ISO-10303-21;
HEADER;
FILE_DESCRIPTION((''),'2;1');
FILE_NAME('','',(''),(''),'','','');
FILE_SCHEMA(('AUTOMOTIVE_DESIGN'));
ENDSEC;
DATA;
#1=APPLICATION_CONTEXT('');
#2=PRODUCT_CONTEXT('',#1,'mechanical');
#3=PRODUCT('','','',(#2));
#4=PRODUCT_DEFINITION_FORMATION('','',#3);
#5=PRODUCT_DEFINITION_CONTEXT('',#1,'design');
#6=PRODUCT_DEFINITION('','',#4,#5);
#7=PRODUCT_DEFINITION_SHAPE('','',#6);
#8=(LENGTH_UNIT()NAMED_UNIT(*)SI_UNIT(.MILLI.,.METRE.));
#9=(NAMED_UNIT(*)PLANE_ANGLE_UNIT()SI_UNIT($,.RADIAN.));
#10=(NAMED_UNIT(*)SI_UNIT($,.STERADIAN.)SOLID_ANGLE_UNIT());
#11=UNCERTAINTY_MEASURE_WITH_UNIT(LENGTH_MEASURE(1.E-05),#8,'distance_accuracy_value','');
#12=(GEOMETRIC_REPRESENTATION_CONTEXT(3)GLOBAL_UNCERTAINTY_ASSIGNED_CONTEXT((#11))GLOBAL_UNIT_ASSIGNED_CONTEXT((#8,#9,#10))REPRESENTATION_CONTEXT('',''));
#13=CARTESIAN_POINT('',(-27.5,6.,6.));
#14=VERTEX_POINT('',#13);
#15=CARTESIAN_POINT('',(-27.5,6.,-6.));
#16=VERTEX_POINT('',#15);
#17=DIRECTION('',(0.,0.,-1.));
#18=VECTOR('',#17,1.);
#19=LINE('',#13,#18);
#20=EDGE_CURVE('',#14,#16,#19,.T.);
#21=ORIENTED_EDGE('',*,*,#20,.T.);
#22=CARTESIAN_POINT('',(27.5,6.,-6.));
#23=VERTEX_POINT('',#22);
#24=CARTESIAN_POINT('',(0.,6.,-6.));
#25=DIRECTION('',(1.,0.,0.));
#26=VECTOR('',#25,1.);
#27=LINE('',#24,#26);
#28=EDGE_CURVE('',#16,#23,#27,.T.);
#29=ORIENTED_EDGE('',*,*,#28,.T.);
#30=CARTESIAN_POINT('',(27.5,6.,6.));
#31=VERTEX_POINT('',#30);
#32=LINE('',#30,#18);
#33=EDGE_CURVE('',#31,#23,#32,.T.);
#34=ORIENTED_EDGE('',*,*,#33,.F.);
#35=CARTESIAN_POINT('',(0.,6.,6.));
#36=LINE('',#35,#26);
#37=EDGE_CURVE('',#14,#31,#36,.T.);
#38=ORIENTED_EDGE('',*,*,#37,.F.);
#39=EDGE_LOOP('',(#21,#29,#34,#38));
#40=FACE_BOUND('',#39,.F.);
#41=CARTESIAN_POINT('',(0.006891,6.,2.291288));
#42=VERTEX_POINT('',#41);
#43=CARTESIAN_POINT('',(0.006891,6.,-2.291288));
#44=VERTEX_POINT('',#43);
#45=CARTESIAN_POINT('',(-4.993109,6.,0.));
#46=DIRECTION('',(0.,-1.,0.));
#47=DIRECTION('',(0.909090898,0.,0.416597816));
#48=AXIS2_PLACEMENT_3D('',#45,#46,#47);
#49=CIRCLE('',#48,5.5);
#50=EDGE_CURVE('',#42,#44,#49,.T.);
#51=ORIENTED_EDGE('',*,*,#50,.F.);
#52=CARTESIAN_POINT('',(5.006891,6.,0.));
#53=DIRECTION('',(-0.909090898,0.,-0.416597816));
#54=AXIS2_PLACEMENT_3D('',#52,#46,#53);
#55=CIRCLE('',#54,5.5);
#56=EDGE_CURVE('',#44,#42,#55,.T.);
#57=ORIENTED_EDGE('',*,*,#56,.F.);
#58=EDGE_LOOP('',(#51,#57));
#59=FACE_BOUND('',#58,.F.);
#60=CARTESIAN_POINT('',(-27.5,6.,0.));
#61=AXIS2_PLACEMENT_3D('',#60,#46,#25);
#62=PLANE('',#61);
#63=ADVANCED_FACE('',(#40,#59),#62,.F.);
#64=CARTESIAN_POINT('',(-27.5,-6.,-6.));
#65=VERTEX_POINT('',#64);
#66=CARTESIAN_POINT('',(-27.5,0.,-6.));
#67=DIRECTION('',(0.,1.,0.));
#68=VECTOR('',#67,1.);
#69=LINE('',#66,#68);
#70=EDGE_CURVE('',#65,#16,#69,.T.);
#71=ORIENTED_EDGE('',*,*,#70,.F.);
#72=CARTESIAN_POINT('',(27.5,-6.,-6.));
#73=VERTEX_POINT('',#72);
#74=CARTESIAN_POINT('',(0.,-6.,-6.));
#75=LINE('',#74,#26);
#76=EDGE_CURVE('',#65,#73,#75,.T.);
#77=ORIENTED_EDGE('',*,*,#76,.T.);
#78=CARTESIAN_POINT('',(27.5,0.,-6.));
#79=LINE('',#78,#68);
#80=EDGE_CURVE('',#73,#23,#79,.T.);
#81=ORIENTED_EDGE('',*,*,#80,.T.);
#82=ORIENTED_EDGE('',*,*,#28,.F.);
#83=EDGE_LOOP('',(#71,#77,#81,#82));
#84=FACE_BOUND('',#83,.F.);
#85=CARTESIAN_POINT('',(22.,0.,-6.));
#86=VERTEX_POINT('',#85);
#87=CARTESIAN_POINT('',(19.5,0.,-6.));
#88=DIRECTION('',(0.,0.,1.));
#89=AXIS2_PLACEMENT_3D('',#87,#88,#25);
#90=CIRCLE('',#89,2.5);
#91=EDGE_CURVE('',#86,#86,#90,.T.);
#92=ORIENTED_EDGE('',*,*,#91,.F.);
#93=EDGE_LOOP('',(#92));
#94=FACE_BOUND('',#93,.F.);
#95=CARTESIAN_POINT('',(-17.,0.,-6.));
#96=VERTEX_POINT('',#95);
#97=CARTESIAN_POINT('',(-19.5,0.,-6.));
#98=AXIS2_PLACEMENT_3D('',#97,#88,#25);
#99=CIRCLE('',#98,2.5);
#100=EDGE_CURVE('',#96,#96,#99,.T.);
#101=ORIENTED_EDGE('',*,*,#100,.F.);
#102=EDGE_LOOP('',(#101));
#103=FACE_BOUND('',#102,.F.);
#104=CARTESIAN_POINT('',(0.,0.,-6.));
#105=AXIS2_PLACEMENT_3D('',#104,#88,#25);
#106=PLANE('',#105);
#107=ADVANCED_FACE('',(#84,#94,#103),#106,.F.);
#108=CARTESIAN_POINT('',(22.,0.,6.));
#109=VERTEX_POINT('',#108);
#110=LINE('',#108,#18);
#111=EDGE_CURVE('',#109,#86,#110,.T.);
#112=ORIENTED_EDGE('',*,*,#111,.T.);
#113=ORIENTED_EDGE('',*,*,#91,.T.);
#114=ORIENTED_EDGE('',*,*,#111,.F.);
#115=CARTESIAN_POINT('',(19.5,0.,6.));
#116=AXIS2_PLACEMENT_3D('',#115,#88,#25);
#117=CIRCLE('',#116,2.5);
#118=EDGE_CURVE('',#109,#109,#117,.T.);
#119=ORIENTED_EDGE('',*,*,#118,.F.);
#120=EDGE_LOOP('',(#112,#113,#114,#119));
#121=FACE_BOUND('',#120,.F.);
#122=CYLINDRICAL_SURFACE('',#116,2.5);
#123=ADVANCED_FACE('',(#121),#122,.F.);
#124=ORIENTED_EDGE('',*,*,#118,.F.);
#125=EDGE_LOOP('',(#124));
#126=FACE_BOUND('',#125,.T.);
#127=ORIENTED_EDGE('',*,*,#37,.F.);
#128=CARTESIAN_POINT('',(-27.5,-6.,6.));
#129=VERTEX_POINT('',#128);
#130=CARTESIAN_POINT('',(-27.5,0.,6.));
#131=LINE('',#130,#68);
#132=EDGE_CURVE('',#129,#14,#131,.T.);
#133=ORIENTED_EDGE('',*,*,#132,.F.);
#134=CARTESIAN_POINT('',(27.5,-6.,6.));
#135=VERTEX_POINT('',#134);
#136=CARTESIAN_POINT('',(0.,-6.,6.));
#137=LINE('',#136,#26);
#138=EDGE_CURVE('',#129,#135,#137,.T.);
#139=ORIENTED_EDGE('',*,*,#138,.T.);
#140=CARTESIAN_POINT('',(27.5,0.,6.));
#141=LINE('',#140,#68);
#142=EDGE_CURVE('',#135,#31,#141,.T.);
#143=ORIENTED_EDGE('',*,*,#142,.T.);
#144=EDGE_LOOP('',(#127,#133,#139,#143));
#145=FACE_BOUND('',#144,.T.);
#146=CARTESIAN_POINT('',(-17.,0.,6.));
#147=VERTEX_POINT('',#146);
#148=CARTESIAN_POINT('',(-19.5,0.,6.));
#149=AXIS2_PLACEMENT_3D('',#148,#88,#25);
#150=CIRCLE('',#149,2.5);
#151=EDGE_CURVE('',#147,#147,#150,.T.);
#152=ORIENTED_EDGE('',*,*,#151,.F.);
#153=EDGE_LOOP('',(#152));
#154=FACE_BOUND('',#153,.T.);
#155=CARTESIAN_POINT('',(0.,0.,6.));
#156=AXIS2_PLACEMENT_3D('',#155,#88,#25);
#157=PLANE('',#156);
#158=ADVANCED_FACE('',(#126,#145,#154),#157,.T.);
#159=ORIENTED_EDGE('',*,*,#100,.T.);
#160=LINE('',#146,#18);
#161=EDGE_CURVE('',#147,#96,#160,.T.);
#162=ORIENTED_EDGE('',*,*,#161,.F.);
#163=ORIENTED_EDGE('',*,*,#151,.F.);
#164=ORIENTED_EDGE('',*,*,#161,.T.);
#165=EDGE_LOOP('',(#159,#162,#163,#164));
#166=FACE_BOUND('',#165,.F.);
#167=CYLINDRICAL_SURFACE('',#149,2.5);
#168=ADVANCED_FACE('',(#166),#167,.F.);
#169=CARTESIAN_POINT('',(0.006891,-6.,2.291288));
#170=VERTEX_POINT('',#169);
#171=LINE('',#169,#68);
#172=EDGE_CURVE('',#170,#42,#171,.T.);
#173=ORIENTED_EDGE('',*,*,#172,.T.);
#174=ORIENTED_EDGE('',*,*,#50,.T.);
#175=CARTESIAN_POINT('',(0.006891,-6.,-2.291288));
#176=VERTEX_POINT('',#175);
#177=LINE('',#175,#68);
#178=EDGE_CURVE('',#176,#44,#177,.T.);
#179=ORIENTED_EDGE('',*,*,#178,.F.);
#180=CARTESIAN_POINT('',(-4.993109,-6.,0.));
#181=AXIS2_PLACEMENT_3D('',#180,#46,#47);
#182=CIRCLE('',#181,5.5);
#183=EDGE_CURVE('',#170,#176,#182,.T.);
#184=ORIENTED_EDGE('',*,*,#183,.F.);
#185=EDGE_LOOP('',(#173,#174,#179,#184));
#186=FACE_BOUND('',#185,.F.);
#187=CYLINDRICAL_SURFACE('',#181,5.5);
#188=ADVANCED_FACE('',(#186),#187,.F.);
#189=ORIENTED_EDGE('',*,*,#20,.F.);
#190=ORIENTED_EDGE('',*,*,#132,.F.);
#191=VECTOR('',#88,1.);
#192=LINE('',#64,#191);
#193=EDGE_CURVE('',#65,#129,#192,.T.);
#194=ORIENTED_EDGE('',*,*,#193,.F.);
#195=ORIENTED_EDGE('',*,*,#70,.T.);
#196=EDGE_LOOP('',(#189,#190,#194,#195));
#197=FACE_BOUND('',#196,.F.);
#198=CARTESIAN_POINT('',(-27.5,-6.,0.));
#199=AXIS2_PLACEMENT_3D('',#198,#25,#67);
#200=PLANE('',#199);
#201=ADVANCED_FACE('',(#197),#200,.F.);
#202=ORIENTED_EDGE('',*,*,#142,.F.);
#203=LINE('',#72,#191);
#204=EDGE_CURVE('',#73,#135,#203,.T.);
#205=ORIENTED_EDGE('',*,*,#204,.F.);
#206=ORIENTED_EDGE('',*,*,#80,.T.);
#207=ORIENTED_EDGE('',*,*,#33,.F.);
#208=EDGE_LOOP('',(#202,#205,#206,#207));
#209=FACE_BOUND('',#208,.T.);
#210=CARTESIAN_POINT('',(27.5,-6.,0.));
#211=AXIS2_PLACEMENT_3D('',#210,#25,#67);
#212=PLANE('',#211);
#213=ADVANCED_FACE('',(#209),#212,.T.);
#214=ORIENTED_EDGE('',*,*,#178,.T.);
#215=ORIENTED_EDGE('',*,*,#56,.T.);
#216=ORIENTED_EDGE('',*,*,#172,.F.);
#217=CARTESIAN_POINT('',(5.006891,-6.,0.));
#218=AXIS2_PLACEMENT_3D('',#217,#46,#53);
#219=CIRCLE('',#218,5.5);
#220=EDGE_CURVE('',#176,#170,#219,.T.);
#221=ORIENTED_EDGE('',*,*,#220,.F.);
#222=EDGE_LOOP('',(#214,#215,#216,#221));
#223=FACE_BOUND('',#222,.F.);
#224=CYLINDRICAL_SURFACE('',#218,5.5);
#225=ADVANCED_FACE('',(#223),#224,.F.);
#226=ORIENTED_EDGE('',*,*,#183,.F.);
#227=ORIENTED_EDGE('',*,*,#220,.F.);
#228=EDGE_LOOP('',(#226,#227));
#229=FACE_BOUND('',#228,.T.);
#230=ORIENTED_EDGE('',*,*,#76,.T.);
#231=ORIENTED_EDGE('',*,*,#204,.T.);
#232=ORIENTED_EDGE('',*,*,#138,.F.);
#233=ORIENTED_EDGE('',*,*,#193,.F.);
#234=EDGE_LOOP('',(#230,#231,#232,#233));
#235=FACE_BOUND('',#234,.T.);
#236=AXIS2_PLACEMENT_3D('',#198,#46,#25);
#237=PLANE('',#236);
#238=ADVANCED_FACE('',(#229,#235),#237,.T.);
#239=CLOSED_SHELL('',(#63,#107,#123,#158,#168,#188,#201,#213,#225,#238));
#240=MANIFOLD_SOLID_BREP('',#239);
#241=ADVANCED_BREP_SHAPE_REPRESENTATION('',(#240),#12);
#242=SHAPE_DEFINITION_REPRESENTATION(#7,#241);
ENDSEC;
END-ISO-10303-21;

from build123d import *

# Parameters (mm, degrees)
F0_W     = 55
F0_H     = 12
F1_DEPTH = 6
F2_R     = 2.5
F3_DEPTH = 12.001
F5_DEPTH = 25


with BuildPart() as f1:
    # F0 (on Top) → F1 (new body, symmetric)
    with BuildSketch(Plane.XY):
        Rectangle(F0_W, F0_H)
    extrude(amount=F1_DEPTH, both=True)

    # F2 (on face) → F3 (cut, through all)
    with BuildSketch(Plane.XY.offset(6)):
        with Locations((-19.5, 0)):
            Circle(F2_R)
        with Locations((19.5, 0)):
            Circle(F2_R)
    extrude(amount=-F3_DEPTH, mode=Mode.SUBTRACT)

    # F4 (on face) → F5 (cut)
    with BuildSketch(Plane.XZ.offset(6)):
        with BuildLine():
            ThreePointArc((0.006891, 2.291288), (-10.493109, 0), (0.006891, -2.291288))
            ThreePointArc((0.006891, -2.291288), (10.506891, 0), (0.006891, 2.291288))
        make_face()
    extrude(amount=-F5_DEPTH, mode=Mode.SUBTRACT)


solid = f1.part
